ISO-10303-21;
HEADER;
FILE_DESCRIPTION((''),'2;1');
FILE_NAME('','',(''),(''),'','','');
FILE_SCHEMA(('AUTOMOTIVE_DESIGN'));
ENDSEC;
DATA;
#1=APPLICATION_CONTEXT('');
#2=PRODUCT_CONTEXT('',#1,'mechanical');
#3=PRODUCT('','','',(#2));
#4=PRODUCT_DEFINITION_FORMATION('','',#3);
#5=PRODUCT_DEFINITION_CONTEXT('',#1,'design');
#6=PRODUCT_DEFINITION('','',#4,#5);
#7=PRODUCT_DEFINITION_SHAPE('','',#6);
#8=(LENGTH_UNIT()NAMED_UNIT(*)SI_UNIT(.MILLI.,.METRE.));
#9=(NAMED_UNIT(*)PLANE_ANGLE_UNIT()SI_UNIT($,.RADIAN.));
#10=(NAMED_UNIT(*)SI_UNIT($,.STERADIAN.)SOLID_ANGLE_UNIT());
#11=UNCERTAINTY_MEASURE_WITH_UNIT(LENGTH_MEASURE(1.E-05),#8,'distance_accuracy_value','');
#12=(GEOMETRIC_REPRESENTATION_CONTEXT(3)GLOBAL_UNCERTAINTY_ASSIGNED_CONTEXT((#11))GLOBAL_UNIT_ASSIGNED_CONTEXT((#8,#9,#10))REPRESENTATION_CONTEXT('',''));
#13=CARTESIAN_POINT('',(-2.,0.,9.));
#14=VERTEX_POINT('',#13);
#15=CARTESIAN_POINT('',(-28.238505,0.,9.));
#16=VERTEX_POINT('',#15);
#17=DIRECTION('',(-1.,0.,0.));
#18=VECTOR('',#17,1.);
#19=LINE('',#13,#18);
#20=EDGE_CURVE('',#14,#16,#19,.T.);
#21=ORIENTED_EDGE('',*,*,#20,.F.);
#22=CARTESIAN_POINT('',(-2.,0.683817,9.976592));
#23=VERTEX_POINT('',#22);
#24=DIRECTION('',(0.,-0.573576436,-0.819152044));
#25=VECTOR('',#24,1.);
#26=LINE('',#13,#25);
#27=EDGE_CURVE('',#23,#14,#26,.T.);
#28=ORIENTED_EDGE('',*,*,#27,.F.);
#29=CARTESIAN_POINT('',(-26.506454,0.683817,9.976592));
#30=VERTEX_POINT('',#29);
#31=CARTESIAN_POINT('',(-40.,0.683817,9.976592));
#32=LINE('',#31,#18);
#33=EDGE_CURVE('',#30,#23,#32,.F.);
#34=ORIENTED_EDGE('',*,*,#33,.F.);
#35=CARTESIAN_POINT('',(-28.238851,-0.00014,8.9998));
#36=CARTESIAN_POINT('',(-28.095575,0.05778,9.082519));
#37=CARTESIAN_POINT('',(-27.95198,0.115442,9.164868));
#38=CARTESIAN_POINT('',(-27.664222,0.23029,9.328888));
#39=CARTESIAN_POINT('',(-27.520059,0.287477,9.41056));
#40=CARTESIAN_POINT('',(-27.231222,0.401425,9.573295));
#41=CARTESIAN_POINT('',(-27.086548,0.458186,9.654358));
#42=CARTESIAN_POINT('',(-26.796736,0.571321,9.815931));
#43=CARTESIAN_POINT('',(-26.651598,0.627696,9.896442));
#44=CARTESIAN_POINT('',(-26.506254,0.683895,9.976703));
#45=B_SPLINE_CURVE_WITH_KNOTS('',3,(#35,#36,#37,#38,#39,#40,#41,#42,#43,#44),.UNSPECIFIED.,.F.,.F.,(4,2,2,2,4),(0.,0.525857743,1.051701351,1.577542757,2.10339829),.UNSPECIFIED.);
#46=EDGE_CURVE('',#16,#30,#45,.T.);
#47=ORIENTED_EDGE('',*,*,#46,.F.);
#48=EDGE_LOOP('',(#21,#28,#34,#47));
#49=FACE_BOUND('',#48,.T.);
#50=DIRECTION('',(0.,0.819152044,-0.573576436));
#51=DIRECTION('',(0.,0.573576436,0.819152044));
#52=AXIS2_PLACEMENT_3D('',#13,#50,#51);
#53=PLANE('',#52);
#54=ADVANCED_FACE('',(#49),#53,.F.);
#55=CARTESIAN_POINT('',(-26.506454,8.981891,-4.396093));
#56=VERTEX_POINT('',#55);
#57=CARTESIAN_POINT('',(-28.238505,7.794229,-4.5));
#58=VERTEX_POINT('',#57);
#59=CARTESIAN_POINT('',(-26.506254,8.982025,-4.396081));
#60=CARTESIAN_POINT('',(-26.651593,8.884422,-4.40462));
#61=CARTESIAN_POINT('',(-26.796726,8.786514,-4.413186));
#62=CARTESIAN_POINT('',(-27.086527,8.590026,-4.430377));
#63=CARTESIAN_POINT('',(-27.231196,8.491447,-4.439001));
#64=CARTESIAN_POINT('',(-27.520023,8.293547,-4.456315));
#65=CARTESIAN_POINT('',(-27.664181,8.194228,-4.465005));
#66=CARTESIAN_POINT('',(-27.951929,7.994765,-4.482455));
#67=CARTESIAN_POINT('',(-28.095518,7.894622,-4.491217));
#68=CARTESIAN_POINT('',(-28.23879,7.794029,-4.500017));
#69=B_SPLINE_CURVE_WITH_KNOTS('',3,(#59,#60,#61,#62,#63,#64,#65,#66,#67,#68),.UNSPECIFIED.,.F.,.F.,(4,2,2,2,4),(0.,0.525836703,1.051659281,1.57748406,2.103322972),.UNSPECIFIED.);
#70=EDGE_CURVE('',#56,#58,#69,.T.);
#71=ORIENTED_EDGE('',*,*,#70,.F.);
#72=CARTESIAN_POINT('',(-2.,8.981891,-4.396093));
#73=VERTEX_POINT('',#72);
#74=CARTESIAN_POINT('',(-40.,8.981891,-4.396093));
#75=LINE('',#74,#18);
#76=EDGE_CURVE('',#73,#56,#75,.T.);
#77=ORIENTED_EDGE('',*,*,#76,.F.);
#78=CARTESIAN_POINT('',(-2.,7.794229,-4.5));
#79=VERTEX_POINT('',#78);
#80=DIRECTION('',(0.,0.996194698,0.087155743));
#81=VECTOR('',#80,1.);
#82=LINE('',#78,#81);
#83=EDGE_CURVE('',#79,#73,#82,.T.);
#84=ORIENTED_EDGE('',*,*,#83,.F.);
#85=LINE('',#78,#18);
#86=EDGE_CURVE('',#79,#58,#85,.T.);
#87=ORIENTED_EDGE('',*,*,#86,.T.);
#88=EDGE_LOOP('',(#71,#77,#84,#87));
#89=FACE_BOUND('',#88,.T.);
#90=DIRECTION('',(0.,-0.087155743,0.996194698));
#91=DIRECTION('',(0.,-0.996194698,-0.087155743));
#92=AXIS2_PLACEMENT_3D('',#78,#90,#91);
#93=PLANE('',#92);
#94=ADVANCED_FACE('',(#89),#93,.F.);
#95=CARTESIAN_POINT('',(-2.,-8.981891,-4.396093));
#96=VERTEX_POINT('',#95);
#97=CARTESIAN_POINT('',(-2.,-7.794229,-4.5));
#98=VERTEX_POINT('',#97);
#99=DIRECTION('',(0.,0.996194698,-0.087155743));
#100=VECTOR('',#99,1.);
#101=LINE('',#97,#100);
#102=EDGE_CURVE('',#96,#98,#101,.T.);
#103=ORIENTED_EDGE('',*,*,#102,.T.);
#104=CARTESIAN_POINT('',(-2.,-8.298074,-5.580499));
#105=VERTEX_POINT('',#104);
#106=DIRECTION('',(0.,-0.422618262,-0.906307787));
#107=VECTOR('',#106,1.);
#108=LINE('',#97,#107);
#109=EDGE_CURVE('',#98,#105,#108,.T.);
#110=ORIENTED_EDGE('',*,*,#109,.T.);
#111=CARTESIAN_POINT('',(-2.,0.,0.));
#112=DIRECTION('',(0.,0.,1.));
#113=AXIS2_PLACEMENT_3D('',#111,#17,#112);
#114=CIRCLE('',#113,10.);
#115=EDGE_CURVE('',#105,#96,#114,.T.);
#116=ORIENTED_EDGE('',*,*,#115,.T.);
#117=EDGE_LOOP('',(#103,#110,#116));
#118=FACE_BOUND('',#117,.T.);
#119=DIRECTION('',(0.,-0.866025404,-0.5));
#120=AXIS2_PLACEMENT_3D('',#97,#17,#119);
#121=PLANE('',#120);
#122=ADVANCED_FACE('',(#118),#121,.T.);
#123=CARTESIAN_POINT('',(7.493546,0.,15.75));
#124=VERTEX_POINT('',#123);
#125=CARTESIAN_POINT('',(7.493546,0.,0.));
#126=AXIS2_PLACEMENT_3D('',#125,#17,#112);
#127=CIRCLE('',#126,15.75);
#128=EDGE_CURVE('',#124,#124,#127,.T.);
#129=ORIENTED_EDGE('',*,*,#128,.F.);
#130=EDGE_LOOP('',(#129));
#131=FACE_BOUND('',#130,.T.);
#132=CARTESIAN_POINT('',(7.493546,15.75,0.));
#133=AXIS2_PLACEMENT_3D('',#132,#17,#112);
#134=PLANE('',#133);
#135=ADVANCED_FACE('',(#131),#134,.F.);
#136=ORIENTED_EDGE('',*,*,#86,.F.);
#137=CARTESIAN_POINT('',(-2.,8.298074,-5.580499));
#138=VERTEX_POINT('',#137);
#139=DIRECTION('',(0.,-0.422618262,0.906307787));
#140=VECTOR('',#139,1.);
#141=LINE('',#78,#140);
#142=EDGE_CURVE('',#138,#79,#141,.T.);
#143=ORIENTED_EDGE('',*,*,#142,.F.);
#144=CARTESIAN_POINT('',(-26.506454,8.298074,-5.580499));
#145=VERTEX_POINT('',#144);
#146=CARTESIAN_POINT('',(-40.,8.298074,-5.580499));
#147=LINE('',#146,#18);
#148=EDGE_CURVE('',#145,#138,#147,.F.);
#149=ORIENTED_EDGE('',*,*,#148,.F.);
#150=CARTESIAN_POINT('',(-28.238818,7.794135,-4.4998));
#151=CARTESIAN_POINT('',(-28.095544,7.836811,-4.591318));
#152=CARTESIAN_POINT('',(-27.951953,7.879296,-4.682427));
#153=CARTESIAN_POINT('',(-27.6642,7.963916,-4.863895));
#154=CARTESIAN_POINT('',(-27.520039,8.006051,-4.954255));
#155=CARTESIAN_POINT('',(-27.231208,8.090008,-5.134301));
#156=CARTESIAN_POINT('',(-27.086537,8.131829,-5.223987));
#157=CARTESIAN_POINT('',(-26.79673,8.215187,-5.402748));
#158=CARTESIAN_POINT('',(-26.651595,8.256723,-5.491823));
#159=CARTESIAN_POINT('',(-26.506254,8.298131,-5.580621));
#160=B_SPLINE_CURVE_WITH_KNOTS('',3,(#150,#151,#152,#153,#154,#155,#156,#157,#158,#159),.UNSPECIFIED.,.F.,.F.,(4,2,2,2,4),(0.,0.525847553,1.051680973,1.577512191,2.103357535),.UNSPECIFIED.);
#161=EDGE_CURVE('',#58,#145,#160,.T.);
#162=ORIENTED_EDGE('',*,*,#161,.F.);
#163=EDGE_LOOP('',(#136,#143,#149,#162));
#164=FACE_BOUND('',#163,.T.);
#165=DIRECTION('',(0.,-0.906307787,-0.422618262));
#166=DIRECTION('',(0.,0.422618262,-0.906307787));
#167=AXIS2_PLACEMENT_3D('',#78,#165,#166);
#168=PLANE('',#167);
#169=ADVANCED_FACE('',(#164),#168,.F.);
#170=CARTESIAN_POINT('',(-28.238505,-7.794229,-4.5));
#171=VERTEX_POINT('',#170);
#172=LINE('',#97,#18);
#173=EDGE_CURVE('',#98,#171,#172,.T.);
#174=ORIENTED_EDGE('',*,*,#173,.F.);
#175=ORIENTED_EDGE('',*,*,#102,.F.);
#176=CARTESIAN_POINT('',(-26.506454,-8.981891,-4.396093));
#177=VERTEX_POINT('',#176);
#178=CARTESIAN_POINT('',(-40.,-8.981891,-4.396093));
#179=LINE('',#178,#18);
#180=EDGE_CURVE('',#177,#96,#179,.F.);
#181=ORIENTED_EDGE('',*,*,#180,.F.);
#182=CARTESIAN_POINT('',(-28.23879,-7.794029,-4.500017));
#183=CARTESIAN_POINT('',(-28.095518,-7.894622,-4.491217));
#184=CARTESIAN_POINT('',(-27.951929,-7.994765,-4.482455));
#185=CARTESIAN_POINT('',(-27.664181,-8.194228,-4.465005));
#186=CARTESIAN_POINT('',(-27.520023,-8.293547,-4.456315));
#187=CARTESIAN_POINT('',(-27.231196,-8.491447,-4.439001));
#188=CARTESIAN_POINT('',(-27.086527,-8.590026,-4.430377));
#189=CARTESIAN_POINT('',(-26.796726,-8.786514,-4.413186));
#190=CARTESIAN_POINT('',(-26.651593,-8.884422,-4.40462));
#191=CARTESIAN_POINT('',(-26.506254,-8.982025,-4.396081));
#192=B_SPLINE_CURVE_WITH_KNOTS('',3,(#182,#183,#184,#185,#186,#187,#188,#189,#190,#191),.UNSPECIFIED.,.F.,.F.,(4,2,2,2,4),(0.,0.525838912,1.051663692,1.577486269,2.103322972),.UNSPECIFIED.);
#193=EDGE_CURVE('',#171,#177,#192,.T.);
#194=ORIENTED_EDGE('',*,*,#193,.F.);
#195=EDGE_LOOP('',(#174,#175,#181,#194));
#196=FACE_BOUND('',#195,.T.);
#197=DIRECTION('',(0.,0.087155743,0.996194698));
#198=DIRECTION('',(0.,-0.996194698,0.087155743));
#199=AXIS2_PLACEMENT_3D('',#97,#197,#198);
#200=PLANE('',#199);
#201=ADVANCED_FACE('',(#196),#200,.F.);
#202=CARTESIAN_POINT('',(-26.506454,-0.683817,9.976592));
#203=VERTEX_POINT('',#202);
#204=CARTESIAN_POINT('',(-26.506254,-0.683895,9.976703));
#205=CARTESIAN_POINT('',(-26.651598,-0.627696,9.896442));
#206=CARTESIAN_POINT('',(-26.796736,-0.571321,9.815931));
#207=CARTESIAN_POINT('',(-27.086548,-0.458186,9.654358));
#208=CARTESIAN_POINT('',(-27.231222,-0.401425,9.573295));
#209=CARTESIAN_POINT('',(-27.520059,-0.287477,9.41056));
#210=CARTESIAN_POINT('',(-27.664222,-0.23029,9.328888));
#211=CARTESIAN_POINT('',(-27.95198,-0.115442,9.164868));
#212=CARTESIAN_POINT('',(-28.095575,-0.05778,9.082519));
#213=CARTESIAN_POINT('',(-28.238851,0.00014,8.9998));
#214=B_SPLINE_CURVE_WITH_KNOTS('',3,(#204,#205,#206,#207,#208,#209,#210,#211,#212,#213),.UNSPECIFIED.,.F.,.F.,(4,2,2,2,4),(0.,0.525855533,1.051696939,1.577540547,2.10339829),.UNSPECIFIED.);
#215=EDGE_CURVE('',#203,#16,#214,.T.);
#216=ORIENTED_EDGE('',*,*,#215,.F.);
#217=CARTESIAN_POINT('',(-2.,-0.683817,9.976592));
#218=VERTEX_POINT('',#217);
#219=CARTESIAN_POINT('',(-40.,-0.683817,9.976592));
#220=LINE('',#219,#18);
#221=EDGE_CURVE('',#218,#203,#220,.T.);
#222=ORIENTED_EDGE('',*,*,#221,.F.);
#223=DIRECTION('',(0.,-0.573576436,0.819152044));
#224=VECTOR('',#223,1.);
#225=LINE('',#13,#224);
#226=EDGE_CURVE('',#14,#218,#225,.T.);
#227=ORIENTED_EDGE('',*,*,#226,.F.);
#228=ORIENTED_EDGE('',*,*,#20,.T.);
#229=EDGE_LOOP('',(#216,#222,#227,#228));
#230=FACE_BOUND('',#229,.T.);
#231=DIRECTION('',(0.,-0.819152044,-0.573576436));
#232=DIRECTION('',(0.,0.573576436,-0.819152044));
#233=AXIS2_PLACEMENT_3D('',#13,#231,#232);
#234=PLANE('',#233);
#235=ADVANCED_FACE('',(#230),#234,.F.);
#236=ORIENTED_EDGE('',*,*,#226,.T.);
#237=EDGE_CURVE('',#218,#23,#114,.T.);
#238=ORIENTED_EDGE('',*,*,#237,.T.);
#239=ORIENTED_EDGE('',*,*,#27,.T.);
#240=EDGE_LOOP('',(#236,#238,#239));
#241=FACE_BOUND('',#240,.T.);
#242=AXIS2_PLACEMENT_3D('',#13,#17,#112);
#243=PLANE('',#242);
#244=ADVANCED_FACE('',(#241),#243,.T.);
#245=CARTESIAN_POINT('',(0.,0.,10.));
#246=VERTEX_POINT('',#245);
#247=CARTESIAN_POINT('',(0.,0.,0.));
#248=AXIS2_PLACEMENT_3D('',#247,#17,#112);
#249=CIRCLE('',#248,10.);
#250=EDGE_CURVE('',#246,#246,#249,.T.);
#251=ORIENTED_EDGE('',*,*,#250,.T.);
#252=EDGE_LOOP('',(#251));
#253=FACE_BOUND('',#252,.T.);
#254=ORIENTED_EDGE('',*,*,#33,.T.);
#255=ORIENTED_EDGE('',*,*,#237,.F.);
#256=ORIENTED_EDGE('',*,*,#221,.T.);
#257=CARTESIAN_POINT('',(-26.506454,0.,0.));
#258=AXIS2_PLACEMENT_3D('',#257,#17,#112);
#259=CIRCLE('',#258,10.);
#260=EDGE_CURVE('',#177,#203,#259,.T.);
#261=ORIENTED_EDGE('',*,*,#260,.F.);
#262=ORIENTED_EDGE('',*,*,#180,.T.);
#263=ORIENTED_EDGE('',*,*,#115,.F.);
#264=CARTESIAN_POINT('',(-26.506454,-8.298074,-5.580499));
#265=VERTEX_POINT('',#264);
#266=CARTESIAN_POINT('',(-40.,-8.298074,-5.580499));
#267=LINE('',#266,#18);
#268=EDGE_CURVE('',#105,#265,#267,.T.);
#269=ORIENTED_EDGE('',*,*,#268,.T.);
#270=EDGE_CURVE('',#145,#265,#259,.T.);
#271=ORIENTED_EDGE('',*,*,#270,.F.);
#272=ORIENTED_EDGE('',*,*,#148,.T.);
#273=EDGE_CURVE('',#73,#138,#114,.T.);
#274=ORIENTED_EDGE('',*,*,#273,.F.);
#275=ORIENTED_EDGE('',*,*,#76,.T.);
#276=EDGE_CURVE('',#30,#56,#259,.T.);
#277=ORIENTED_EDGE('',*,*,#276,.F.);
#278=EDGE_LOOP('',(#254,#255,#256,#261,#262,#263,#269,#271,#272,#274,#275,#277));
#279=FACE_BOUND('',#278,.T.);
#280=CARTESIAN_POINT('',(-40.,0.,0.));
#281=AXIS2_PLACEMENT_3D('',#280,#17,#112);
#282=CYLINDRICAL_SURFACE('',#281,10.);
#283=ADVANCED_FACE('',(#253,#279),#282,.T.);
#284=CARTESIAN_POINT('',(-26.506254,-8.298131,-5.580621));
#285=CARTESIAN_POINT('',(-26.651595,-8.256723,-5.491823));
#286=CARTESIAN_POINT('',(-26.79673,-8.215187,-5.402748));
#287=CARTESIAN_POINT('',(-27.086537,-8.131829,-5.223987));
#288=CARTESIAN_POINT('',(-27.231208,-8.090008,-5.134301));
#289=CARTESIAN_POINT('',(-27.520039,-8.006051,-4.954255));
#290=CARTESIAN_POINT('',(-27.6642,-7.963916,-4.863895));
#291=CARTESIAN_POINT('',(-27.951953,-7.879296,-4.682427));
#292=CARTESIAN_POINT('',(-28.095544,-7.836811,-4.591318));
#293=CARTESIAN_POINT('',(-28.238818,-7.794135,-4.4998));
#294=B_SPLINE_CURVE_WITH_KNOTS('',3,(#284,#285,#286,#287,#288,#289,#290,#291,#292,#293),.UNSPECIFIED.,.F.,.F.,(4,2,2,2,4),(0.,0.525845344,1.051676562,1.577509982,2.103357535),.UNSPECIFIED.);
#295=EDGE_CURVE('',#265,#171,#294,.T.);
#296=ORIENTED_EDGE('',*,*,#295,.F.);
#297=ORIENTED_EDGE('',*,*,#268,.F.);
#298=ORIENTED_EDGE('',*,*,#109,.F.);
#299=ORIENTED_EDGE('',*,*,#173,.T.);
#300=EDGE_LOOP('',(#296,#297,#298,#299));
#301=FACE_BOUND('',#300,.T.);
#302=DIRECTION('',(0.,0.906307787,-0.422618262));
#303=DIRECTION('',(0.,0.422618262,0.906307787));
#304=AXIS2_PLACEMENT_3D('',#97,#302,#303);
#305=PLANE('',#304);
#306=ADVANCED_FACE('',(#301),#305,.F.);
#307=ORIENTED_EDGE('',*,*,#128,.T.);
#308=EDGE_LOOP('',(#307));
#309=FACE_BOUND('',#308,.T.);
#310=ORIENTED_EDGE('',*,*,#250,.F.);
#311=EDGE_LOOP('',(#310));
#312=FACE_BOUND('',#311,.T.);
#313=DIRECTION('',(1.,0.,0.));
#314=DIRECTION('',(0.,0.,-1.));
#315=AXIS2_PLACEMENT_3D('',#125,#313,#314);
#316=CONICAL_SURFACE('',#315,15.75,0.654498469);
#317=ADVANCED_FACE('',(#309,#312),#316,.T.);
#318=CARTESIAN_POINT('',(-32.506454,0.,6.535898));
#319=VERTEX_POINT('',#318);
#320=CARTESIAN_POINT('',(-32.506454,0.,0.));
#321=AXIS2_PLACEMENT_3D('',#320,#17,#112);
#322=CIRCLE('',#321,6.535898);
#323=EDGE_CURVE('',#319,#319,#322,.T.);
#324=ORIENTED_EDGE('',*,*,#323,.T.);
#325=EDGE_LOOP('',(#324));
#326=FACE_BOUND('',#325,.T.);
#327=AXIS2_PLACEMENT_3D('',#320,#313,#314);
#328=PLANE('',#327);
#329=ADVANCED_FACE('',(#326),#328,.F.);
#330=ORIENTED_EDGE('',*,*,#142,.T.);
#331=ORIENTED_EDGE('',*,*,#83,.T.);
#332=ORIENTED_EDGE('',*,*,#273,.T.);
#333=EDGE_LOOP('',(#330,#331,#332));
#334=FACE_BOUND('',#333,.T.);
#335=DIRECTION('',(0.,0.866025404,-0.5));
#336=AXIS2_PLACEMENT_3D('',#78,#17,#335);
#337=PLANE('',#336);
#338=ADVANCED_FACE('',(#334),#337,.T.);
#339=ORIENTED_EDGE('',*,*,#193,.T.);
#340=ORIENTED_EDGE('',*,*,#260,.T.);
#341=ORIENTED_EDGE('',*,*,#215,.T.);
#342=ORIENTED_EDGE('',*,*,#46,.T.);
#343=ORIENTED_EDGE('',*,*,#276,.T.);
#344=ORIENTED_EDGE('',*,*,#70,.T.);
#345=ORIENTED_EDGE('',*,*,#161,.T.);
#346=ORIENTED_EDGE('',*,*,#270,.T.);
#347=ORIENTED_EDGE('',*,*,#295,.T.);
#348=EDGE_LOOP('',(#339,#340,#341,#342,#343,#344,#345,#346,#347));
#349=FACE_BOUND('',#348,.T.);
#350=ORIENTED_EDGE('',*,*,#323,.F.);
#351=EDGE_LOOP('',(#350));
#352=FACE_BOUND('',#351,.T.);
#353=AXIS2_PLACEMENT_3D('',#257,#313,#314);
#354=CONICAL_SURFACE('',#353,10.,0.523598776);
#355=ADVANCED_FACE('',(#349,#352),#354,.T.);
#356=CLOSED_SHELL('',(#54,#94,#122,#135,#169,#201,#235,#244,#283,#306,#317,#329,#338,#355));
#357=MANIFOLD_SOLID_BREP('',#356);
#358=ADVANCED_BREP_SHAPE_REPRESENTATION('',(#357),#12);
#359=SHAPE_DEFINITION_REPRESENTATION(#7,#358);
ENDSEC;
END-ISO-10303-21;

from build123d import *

# Parameters (mm, degrees)
CUT_EXTRUDE1_DEPTH = 30.506454095
CIRPATTERN1_COUNT  = 3


with BuildPart() as part:
    # Sketch1 → Base-Revolve (revolve)
    with BuildSketch(Plane.XY, mode=Mode.PRIVATE) as base_revolve_sk:
        Polygon((-32.506454106, 0), (-32.506454106, 6.535898385), (-26.506454106, 10), (0, 10), (7.493545894, 15.75), (7.493545894, 0), align=None)
    revolve(base_revolve_sk.sketch.rotate(Axis((-40, 0, 0), (1, 0, 0)), 90), axis=Axis((-40, 0, 0), (1, 0, 0)))

    # Sketch2 → Cut-Extrude1 (cut)
    with BuildSketch(Plane.ZY.offset(32.506454106)):
        Polygon((9, 0), (10, 0.700207538), (10, -0.700207538), align=None)
    cut_extrude1 = extrude(amount=-CUT_EXTRUDE1_DEPTH, mode=Mode.SUBTRACT)

    # CirPattern1: Cut-Extrude1 ×3 about axis
    cirpattern1_axis = Axis((0, 0, 0), (1, 0, 0))
    for i in range(1, CIRPATTERN1_COUNT):
        add(cut_extrude1.rotate(cirpattern1_axis, i * 360 / CIRPATTERN1_COUNT), mode=Mode.SUBTRACT)


solid = part.part
